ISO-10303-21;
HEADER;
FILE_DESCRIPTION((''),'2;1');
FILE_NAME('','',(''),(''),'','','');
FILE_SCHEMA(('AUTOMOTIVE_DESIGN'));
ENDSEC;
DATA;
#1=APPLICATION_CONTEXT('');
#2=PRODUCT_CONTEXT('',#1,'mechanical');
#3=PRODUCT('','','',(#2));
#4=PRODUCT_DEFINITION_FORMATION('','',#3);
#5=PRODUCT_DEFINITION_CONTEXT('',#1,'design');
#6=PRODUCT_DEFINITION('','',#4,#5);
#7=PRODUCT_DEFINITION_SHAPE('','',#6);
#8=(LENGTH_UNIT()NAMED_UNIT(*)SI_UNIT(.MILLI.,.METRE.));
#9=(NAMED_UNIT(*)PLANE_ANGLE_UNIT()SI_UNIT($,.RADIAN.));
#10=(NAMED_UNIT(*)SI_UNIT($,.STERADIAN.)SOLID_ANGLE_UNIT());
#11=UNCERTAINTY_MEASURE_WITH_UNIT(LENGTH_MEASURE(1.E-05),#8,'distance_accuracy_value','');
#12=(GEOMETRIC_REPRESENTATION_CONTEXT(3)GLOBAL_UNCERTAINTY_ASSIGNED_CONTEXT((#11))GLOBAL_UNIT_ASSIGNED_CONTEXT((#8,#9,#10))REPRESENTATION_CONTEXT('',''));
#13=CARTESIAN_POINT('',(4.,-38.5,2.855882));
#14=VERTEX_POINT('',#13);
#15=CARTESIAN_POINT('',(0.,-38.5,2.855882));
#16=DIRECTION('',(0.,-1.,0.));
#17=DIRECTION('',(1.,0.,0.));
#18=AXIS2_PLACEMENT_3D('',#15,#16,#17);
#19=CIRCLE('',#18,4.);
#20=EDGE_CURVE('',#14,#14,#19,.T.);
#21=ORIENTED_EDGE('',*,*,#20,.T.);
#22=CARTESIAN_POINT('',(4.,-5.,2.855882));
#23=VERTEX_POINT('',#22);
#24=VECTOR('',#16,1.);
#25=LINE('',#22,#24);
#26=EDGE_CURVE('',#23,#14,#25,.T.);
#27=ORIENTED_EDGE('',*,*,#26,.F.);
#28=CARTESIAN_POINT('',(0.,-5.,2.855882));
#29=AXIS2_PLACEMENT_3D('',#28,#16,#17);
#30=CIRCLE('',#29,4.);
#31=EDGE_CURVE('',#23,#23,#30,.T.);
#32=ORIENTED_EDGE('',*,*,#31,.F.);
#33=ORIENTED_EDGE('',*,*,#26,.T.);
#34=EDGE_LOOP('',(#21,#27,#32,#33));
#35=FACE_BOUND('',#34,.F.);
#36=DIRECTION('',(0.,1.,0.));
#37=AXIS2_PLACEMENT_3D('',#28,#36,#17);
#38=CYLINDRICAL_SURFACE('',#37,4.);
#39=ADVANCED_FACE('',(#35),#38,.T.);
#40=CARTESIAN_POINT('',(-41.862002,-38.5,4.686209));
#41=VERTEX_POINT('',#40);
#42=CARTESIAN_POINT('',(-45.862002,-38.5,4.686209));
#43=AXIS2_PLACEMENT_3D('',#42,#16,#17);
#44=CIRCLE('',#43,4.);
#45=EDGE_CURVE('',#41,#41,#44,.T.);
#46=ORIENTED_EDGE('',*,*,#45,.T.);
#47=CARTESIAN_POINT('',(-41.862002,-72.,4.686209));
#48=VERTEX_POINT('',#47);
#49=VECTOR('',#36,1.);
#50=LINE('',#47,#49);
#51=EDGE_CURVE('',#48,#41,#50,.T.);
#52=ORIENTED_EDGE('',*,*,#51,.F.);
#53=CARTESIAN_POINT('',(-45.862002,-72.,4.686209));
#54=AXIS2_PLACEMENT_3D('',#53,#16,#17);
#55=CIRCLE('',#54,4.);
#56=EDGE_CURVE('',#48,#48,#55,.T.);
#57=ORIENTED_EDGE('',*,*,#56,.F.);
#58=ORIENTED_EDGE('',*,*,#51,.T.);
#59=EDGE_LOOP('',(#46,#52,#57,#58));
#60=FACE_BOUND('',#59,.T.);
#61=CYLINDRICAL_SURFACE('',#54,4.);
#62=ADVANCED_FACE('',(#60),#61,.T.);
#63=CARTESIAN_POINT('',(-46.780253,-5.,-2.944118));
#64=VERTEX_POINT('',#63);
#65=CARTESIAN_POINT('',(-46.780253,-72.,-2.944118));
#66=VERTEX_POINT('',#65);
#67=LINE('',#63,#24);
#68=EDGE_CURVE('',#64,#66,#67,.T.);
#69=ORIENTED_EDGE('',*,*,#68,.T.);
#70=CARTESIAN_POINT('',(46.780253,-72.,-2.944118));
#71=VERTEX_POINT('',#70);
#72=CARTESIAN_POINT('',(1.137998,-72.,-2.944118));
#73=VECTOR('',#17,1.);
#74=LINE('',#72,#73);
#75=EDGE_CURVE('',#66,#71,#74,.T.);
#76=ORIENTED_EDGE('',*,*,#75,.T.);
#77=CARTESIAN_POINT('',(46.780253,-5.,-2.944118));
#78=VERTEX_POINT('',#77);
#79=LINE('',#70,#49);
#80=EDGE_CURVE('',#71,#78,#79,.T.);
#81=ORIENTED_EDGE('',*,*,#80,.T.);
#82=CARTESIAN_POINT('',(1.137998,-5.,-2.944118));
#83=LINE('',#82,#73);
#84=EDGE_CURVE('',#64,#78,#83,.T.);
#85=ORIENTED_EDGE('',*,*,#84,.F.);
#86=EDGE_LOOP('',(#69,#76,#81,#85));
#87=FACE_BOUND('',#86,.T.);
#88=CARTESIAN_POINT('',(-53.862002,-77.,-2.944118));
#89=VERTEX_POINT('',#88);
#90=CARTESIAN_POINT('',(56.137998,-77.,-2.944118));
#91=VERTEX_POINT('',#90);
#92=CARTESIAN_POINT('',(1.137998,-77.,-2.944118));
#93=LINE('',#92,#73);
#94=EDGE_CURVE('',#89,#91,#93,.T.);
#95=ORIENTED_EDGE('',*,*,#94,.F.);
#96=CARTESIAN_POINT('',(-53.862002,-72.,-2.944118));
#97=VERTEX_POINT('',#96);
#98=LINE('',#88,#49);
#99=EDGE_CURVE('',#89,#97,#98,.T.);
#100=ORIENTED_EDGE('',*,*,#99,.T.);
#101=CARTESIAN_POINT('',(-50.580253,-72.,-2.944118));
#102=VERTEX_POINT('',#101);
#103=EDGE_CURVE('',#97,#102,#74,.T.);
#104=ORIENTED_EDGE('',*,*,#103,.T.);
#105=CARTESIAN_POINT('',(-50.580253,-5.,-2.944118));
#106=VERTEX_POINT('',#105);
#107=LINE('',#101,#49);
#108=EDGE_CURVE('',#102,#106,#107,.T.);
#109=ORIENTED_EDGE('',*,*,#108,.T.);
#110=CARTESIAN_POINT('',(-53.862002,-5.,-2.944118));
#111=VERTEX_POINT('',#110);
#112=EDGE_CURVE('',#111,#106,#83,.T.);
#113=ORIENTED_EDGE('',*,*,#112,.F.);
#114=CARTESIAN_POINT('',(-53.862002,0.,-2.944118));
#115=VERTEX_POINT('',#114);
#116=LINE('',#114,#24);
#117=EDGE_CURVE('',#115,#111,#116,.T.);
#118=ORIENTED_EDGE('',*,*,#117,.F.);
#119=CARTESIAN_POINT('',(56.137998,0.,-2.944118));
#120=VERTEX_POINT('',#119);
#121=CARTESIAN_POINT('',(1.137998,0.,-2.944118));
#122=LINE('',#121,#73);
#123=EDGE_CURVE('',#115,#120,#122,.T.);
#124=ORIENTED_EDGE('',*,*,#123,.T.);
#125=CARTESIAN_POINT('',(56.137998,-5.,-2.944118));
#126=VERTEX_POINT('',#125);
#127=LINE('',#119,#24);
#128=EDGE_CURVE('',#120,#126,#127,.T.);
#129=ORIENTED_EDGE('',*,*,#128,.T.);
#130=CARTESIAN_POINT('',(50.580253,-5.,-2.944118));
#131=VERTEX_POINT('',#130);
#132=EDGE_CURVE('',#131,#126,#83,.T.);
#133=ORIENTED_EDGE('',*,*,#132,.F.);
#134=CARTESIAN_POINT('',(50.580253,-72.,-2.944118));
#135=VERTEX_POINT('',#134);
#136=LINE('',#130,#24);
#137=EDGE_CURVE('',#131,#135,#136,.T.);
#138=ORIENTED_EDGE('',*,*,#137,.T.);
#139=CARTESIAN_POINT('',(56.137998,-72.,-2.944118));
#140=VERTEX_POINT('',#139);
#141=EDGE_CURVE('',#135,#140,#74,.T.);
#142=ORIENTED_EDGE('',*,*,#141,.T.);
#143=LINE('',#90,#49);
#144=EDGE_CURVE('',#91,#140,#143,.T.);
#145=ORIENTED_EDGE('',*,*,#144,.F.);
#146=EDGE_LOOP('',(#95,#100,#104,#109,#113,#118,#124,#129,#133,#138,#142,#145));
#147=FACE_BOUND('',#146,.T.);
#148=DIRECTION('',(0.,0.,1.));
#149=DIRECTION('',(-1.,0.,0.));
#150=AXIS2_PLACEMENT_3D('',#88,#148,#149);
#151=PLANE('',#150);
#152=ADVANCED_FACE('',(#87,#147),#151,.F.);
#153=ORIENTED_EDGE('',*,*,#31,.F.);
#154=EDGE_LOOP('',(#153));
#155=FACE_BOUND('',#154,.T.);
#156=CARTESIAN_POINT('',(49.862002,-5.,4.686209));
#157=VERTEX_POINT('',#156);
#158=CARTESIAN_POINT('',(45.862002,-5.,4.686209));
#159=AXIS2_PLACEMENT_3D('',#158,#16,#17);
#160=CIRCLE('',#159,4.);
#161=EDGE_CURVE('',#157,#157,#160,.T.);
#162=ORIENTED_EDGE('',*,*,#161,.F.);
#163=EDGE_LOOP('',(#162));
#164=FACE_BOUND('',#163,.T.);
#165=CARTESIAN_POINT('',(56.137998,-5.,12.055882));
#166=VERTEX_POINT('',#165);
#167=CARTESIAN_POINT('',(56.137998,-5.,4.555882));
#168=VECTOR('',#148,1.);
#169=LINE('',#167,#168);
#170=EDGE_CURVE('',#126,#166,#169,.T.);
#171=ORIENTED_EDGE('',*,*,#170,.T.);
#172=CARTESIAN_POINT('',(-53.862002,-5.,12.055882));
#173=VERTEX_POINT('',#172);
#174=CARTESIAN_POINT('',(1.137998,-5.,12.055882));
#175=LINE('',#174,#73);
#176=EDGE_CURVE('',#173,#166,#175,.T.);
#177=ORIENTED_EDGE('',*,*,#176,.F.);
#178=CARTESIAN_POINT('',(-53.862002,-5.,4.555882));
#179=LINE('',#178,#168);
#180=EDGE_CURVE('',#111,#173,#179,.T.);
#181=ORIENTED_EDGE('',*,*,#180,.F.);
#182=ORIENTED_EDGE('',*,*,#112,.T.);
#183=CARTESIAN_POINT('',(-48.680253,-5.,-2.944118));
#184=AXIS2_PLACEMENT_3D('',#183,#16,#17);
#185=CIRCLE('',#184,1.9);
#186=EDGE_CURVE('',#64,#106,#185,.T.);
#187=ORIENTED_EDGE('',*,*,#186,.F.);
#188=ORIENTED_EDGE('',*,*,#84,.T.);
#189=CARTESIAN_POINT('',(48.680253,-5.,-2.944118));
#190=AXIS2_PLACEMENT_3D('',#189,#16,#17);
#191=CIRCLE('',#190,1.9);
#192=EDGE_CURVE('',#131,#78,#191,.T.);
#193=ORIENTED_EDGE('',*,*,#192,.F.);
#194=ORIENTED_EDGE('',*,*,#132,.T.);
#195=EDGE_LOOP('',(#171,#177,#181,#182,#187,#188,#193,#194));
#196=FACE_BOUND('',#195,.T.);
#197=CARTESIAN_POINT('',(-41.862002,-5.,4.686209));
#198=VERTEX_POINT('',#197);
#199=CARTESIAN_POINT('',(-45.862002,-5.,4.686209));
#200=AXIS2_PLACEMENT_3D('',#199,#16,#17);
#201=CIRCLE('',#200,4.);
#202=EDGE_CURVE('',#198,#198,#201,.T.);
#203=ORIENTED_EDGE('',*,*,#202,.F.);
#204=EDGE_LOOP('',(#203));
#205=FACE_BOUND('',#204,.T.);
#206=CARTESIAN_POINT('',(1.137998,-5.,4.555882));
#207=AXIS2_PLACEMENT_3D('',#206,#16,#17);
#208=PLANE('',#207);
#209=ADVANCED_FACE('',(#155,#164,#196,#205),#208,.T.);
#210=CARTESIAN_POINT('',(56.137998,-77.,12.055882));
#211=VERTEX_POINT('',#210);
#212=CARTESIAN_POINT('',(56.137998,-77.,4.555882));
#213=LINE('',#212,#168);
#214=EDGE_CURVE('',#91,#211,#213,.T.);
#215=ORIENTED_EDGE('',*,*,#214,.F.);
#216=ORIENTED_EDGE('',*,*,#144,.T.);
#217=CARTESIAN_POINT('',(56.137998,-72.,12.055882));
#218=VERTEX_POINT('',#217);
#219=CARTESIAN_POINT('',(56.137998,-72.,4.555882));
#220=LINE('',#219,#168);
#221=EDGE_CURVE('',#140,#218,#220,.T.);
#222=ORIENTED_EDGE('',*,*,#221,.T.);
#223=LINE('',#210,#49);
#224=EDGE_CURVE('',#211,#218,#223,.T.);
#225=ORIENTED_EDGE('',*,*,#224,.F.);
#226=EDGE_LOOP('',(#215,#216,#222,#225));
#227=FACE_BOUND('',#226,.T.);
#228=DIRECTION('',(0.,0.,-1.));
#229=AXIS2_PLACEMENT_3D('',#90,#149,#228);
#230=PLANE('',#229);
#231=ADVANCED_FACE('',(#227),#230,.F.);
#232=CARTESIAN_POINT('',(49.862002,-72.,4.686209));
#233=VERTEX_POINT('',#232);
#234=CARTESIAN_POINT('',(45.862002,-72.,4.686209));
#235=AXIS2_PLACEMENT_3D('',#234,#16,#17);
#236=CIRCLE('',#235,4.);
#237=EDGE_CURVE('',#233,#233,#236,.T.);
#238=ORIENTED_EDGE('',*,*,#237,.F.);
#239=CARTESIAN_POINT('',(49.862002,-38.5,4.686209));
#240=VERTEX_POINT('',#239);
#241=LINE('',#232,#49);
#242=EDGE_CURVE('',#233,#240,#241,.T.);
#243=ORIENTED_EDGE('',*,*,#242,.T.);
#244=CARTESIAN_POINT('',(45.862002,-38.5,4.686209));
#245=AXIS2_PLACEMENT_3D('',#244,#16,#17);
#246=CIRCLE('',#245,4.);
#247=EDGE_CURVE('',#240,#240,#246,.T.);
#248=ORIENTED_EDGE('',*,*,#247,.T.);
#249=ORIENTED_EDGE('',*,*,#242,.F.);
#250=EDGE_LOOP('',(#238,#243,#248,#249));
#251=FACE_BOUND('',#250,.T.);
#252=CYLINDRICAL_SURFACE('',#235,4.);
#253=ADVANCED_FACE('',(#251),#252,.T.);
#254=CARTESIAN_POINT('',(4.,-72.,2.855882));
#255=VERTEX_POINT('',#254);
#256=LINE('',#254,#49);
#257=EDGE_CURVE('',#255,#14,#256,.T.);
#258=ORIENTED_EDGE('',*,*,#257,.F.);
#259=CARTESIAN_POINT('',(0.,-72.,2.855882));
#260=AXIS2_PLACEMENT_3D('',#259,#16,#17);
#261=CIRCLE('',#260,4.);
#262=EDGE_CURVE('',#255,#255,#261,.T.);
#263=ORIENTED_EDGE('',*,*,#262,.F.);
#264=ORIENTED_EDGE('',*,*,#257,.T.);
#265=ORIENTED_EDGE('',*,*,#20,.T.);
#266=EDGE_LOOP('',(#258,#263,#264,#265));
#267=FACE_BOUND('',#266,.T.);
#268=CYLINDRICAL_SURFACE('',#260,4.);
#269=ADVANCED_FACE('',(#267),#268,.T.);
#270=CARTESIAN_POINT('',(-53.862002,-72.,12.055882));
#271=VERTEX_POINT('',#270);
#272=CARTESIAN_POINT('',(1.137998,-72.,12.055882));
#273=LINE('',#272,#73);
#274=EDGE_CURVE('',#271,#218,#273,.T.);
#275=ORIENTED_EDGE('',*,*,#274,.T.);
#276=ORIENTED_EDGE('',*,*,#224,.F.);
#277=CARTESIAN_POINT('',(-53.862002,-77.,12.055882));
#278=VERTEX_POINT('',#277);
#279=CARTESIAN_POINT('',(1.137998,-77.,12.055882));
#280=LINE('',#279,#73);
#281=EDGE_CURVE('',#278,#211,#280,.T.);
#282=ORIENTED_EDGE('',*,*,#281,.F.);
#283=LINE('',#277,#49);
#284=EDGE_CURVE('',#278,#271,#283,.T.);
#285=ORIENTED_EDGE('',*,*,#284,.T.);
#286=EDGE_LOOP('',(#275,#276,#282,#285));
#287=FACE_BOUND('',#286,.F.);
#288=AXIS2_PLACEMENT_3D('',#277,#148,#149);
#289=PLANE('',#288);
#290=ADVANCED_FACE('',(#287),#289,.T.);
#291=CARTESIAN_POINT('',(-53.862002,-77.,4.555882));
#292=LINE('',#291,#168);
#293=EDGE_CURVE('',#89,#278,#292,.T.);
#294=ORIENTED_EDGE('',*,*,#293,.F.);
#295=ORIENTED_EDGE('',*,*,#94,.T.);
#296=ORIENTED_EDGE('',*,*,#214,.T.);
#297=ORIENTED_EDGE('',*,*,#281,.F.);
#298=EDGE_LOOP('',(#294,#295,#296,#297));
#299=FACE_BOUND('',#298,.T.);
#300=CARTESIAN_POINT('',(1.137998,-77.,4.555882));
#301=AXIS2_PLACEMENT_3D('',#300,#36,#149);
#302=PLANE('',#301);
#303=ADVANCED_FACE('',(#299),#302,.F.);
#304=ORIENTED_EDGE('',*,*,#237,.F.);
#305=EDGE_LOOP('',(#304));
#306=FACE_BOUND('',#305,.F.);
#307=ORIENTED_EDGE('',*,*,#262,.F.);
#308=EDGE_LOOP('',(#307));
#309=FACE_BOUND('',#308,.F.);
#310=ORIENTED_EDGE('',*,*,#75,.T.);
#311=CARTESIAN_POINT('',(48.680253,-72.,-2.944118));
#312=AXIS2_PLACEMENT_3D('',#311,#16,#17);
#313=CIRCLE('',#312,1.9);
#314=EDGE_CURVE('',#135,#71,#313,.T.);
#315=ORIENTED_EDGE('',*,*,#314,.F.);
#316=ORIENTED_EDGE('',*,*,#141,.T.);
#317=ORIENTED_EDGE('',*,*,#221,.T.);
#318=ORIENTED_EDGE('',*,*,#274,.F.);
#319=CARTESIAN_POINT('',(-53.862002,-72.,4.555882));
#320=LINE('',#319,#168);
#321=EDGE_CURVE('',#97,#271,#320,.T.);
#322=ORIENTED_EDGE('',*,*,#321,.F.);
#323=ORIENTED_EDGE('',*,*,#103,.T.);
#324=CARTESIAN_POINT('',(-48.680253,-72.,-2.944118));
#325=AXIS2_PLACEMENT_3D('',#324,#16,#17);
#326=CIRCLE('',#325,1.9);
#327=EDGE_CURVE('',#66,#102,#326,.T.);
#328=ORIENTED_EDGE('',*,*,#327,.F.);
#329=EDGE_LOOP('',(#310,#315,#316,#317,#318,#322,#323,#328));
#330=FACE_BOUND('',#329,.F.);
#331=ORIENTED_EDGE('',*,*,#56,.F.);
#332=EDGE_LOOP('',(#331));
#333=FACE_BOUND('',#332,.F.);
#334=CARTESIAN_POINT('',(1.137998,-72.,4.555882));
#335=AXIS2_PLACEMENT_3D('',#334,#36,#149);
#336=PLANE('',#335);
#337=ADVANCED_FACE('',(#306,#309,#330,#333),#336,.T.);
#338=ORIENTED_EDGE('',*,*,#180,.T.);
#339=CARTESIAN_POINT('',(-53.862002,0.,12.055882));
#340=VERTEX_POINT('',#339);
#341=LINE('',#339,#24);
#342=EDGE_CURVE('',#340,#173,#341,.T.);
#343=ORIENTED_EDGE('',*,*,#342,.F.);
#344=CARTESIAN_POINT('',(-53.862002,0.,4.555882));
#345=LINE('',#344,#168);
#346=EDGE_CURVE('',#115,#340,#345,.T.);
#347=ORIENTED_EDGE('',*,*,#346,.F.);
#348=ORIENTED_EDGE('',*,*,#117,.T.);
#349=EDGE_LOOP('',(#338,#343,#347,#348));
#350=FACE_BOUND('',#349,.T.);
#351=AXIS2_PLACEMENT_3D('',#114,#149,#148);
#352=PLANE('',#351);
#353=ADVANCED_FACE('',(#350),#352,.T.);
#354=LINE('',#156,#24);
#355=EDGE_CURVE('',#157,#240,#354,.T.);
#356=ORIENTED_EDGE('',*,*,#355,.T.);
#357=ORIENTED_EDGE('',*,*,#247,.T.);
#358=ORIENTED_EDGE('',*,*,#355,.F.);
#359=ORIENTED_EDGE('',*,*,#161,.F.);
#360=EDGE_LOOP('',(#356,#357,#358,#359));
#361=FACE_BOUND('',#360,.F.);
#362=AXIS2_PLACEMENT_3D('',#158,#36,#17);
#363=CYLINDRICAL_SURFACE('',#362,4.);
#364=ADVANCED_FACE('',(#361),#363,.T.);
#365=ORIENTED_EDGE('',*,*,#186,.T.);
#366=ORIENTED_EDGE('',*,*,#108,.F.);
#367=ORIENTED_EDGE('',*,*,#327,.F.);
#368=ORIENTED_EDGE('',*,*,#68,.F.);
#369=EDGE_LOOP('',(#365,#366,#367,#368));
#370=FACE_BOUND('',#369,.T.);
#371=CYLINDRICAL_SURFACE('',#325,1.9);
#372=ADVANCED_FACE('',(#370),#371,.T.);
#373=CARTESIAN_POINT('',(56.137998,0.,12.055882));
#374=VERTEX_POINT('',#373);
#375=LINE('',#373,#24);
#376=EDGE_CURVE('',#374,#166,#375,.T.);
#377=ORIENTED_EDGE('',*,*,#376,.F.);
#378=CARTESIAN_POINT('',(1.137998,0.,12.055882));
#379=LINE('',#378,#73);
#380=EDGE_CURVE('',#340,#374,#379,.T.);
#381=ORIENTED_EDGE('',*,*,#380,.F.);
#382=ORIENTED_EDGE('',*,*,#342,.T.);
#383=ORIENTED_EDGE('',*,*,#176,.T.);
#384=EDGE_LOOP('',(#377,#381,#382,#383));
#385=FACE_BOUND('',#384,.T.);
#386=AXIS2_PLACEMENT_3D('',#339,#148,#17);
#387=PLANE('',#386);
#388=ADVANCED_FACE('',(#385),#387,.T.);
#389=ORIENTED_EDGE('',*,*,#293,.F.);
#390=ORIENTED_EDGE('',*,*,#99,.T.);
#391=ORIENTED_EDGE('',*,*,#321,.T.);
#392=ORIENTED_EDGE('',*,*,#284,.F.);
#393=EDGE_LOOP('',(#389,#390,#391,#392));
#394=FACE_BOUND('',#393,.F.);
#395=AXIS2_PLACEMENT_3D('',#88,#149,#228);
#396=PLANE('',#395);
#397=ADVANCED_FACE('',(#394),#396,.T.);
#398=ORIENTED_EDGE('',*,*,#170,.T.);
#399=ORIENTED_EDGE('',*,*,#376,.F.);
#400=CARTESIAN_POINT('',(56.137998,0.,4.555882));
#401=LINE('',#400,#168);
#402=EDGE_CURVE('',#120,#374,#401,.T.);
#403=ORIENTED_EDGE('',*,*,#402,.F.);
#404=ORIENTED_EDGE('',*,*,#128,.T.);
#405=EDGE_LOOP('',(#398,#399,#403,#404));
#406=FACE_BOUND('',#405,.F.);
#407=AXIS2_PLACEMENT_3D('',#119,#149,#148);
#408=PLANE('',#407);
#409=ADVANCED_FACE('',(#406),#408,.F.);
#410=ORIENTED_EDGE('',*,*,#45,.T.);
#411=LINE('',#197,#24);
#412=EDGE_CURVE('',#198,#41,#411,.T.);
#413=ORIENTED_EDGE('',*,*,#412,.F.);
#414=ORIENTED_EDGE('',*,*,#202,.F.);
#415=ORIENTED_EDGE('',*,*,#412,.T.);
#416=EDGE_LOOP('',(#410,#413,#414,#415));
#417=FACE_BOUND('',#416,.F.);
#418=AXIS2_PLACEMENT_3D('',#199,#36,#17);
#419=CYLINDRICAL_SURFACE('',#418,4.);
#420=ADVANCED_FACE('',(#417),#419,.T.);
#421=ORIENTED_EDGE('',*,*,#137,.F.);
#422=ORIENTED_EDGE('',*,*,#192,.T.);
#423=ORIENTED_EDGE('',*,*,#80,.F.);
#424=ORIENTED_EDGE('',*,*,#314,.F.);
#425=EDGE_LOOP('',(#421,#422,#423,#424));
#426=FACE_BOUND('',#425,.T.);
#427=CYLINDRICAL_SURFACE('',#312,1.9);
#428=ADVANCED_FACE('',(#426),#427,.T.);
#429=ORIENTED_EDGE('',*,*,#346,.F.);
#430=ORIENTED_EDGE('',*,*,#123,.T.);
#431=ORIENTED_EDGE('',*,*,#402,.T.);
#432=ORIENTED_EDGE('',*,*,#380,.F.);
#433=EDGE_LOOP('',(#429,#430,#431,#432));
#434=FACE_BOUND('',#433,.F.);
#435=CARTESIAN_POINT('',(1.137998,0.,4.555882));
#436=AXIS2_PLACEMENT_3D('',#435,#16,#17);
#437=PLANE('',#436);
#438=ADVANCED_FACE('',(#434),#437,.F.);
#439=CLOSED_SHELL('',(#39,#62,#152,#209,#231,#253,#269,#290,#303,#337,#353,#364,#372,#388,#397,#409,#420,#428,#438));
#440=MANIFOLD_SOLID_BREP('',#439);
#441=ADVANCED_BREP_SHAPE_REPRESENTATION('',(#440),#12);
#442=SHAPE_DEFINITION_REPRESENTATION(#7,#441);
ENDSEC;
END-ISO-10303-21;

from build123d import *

# Parameters (mm, degrees)
F0_W     = 110
F0_H     = 15
F1_DEPTH = 5
F2_R     = 4
F3_DEPTH = 33.5


with BuildPart() as f1:
    # F0 (on Front) → F1 (new body)
    with BuildSketch(Plane.XZ):
        with Locations((1.137998, 4.555882)):
            Rectangle(F0_W, F0_H)
    extrude(amount=F1_DEPTH)

    # F2 (on face) → F3 (join)
    with BuildSketch(Plane.XZ.offset(5)):
        with Locations((0, 2.855882)):
            Circle(F2_R)
        with BuildLine():
            Line((-48.680253, -2.944118), (-46.780253, -2.944118))
            ThreePointArc((-46.780253, -2.944118), (-48.680253, -1.044118), (-50.580253, -2.944118))
            Line((-50.580253, -2.944118), (-48.680253, -2.944118))
        make_face()
        with Locations((-45.862002, 4.686209)):
            Circle(F2_R)
        with Locations((45.862002, 4.686209)):
            Circle(F2_R)
        with BuildLine():
            ThreePointArc((50.580253, -2.944118), (48.680253, -1.044118), (46.780253, -2.944118))
            Line((46.780253, -2.944118), (50.580253, -2.944118))
        make_face()
    extrude(amount=F3_DEPTH)

    # F4: F1 across face


with BuildPart() as f1_1:
    add(f1.part)
    add(f1.part.mirror(Plane(origin=(-45.862002, -38.5, 4.686209), x_dir=(1, 0, 0), z_dir=(0, -1, 0))))


solid = f1_1.part
